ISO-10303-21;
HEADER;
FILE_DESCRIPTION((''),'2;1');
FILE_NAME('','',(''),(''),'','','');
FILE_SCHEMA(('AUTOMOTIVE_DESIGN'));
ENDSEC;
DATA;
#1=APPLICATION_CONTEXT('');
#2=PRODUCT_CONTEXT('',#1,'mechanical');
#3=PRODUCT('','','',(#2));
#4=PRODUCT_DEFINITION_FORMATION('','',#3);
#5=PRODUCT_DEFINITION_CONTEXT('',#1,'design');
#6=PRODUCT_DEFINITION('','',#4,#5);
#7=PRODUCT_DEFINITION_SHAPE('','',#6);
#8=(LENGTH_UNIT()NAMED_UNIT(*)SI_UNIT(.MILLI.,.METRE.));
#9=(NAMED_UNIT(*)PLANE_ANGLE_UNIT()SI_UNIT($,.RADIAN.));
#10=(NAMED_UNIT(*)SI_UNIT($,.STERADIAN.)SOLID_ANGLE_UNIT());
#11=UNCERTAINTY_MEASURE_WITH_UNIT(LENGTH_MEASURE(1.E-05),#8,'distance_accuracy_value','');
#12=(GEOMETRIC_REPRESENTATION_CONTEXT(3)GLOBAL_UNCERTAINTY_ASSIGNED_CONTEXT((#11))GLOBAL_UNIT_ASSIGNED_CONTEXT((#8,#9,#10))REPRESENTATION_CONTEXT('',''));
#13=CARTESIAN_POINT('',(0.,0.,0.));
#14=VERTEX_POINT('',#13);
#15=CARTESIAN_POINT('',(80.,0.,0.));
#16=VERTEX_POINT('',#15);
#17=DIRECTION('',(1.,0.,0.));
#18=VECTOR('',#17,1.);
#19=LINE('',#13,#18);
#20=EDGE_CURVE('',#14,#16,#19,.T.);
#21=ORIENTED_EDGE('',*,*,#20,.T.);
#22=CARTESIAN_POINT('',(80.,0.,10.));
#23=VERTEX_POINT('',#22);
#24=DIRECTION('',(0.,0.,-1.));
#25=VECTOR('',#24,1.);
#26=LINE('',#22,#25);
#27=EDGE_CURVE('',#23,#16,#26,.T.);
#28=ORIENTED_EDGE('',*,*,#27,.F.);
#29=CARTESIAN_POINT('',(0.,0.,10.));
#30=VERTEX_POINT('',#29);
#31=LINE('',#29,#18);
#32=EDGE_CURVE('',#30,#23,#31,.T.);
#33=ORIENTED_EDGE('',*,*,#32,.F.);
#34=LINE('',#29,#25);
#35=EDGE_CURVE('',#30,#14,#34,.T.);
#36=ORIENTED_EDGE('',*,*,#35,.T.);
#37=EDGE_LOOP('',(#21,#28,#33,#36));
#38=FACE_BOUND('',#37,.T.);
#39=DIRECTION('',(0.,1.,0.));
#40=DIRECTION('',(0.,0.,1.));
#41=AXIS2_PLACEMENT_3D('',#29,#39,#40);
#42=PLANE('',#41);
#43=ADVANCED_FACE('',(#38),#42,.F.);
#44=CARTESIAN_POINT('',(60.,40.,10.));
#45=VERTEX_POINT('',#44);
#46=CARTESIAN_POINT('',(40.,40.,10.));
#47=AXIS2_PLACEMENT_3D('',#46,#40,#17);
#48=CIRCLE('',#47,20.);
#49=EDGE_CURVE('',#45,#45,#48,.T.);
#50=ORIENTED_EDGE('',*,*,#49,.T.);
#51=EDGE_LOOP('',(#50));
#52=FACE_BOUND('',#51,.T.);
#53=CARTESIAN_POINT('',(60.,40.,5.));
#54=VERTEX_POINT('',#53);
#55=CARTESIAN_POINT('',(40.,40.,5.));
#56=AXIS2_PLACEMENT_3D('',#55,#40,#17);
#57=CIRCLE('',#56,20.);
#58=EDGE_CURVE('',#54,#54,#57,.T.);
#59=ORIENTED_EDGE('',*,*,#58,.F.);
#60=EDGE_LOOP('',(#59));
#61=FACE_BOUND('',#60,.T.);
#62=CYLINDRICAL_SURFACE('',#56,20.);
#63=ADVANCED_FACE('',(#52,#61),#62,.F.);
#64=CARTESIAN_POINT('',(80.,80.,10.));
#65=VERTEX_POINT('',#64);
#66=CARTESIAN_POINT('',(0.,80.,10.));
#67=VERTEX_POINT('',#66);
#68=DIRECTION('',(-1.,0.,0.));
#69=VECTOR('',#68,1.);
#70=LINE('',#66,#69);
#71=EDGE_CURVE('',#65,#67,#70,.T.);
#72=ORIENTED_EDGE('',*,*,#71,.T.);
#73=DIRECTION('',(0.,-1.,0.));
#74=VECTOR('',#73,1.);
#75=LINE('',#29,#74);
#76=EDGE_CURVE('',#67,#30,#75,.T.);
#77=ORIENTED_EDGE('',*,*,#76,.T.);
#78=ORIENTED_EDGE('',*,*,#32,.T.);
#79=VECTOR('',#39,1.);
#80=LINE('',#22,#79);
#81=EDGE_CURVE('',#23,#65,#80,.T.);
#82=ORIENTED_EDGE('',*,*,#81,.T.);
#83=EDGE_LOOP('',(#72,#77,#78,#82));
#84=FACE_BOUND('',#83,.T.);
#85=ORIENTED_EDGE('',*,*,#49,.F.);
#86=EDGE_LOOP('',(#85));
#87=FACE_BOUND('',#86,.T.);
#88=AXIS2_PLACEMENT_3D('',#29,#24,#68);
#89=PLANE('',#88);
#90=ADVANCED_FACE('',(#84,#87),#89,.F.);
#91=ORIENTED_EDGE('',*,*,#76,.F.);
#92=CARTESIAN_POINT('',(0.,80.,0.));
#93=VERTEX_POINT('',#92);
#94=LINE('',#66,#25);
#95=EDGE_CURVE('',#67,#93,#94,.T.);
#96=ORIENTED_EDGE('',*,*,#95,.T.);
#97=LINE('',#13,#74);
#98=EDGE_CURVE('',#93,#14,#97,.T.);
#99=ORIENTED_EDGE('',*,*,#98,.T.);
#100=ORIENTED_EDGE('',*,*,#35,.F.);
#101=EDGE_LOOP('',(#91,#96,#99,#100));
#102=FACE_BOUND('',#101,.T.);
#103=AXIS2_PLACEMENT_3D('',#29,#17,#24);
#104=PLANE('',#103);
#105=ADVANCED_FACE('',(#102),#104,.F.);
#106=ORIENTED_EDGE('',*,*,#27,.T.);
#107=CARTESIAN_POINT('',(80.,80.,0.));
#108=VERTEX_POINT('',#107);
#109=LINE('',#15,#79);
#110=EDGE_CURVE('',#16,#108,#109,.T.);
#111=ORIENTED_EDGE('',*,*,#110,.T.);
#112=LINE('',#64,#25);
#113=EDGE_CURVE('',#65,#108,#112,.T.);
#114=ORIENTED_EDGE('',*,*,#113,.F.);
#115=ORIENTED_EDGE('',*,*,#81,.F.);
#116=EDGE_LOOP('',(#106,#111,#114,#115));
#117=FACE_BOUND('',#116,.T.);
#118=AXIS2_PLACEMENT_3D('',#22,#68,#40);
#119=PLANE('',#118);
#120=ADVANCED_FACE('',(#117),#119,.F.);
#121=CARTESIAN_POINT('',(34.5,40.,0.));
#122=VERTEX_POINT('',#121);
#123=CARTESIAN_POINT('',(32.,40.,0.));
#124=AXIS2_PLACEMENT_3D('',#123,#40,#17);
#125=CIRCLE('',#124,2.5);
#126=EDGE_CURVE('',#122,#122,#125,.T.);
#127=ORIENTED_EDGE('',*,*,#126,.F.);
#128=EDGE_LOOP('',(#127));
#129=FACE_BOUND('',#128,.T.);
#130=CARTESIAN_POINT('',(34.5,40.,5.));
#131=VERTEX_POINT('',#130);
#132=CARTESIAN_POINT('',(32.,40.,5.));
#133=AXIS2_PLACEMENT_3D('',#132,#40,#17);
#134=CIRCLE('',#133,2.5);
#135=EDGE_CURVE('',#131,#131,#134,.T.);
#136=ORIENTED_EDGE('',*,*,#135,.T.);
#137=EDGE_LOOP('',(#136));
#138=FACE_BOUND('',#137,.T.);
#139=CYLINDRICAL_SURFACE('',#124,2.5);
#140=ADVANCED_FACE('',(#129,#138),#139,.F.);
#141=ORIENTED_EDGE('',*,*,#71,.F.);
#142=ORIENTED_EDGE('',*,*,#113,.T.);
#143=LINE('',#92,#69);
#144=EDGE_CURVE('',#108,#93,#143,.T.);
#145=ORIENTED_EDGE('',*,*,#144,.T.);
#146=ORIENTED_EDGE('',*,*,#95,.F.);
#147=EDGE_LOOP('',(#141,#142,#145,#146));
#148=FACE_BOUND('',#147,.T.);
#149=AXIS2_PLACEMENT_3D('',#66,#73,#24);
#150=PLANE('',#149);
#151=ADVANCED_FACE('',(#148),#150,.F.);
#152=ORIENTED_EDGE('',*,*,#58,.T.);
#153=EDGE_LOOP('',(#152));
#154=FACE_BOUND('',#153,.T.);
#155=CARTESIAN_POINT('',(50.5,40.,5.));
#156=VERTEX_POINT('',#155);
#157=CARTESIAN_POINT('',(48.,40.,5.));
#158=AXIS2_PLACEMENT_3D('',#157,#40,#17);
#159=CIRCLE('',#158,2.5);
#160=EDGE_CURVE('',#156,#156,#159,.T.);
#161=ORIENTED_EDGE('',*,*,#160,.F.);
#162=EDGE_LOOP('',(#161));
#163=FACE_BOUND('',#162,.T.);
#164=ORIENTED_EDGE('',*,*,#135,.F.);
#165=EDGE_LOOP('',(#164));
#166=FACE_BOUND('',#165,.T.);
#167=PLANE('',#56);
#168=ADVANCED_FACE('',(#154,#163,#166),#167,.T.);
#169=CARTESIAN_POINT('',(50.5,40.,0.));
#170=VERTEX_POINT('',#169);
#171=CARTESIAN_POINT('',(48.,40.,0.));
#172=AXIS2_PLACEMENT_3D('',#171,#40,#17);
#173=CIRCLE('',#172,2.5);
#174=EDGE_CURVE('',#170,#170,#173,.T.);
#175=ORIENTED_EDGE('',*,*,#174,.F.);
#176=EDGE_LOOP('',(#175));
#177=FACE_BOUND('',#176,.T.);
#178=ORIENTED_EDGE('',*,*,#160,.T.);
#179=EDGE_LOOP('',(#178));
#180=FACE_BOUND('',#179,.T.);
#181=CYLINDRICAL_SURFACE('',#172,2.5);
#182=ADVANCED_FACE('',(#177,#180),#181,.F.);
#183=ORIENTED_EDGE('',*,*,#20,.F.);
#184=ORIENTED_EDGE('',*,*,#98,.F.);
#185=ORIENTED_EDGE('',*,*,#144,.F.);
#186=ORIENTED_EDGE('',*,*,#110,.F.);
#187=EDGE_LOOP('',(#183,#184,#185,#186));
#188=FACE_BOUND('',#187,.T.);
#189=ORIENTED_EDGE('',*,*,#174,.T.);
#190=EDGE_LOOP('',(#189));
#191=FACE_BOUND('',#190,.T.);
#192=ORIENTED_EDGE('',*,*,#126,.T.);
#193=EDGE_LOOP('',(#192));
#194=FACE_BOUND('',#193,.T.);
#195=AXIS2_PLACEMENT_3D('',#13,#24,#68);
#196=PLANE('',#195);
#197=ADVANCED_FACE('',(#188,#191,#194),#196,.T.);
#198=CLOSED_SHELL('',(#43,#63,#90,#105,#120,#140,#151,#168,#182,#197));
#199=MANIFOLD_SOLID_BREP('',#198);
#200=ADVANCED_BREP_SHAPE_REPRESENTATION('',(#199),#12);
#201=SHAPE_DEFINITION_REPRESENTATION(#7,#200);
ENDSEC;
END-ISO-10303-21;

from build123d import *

# Parameters (mm, degrees)
SKETCH_1_W          = 80
SKETCH_1_H          = 80
EXTRUDE_1_DEPTH     = 10
SKETCH_2_R          = 20
CUT_EXTRUDE_1_DEPTH = 5
SKETCH_3_R          = 2.5
CUT_EXTRUDE_2_DEPTH = 5


with BuildPart() as part:
    # Эскиз1 → Бобышка-Вытянуть1 (new body)
    with BuildSketch(Plane.XY):
        with Locations((40, 40)):
            Rectangle(SKETCH_1_W, SKETCH_1_H)
    extrude(amount=EXTRUDE_1_DEPTH)

    # Эскиз2 → Вырез-Вытянуть1 (cut)
    with BuildSketch(Plane.XY.offset(10)):
        with Locations((40, 40)):
            Circle(SKETCH_2_R)
    extrude(amount=-CUT_EXTRUDE_1_DEPTH, mode=Mode.SUBTRACT)

    # Эскиз3 → Вырез-Вытянуть2 (cut)
    with BuildSketch(Plane.XY.offset(5)):
        with Locations((32, 40)):
            Circle(SKETCH_3_R)
        with Locations((48, 40)):
            Circle(SKETCH_3_R)
    extrude(amount=-CUT_EXTRUDE_2_DEPTH, mode=Mode.SUBTRACT)


solid = part.part
